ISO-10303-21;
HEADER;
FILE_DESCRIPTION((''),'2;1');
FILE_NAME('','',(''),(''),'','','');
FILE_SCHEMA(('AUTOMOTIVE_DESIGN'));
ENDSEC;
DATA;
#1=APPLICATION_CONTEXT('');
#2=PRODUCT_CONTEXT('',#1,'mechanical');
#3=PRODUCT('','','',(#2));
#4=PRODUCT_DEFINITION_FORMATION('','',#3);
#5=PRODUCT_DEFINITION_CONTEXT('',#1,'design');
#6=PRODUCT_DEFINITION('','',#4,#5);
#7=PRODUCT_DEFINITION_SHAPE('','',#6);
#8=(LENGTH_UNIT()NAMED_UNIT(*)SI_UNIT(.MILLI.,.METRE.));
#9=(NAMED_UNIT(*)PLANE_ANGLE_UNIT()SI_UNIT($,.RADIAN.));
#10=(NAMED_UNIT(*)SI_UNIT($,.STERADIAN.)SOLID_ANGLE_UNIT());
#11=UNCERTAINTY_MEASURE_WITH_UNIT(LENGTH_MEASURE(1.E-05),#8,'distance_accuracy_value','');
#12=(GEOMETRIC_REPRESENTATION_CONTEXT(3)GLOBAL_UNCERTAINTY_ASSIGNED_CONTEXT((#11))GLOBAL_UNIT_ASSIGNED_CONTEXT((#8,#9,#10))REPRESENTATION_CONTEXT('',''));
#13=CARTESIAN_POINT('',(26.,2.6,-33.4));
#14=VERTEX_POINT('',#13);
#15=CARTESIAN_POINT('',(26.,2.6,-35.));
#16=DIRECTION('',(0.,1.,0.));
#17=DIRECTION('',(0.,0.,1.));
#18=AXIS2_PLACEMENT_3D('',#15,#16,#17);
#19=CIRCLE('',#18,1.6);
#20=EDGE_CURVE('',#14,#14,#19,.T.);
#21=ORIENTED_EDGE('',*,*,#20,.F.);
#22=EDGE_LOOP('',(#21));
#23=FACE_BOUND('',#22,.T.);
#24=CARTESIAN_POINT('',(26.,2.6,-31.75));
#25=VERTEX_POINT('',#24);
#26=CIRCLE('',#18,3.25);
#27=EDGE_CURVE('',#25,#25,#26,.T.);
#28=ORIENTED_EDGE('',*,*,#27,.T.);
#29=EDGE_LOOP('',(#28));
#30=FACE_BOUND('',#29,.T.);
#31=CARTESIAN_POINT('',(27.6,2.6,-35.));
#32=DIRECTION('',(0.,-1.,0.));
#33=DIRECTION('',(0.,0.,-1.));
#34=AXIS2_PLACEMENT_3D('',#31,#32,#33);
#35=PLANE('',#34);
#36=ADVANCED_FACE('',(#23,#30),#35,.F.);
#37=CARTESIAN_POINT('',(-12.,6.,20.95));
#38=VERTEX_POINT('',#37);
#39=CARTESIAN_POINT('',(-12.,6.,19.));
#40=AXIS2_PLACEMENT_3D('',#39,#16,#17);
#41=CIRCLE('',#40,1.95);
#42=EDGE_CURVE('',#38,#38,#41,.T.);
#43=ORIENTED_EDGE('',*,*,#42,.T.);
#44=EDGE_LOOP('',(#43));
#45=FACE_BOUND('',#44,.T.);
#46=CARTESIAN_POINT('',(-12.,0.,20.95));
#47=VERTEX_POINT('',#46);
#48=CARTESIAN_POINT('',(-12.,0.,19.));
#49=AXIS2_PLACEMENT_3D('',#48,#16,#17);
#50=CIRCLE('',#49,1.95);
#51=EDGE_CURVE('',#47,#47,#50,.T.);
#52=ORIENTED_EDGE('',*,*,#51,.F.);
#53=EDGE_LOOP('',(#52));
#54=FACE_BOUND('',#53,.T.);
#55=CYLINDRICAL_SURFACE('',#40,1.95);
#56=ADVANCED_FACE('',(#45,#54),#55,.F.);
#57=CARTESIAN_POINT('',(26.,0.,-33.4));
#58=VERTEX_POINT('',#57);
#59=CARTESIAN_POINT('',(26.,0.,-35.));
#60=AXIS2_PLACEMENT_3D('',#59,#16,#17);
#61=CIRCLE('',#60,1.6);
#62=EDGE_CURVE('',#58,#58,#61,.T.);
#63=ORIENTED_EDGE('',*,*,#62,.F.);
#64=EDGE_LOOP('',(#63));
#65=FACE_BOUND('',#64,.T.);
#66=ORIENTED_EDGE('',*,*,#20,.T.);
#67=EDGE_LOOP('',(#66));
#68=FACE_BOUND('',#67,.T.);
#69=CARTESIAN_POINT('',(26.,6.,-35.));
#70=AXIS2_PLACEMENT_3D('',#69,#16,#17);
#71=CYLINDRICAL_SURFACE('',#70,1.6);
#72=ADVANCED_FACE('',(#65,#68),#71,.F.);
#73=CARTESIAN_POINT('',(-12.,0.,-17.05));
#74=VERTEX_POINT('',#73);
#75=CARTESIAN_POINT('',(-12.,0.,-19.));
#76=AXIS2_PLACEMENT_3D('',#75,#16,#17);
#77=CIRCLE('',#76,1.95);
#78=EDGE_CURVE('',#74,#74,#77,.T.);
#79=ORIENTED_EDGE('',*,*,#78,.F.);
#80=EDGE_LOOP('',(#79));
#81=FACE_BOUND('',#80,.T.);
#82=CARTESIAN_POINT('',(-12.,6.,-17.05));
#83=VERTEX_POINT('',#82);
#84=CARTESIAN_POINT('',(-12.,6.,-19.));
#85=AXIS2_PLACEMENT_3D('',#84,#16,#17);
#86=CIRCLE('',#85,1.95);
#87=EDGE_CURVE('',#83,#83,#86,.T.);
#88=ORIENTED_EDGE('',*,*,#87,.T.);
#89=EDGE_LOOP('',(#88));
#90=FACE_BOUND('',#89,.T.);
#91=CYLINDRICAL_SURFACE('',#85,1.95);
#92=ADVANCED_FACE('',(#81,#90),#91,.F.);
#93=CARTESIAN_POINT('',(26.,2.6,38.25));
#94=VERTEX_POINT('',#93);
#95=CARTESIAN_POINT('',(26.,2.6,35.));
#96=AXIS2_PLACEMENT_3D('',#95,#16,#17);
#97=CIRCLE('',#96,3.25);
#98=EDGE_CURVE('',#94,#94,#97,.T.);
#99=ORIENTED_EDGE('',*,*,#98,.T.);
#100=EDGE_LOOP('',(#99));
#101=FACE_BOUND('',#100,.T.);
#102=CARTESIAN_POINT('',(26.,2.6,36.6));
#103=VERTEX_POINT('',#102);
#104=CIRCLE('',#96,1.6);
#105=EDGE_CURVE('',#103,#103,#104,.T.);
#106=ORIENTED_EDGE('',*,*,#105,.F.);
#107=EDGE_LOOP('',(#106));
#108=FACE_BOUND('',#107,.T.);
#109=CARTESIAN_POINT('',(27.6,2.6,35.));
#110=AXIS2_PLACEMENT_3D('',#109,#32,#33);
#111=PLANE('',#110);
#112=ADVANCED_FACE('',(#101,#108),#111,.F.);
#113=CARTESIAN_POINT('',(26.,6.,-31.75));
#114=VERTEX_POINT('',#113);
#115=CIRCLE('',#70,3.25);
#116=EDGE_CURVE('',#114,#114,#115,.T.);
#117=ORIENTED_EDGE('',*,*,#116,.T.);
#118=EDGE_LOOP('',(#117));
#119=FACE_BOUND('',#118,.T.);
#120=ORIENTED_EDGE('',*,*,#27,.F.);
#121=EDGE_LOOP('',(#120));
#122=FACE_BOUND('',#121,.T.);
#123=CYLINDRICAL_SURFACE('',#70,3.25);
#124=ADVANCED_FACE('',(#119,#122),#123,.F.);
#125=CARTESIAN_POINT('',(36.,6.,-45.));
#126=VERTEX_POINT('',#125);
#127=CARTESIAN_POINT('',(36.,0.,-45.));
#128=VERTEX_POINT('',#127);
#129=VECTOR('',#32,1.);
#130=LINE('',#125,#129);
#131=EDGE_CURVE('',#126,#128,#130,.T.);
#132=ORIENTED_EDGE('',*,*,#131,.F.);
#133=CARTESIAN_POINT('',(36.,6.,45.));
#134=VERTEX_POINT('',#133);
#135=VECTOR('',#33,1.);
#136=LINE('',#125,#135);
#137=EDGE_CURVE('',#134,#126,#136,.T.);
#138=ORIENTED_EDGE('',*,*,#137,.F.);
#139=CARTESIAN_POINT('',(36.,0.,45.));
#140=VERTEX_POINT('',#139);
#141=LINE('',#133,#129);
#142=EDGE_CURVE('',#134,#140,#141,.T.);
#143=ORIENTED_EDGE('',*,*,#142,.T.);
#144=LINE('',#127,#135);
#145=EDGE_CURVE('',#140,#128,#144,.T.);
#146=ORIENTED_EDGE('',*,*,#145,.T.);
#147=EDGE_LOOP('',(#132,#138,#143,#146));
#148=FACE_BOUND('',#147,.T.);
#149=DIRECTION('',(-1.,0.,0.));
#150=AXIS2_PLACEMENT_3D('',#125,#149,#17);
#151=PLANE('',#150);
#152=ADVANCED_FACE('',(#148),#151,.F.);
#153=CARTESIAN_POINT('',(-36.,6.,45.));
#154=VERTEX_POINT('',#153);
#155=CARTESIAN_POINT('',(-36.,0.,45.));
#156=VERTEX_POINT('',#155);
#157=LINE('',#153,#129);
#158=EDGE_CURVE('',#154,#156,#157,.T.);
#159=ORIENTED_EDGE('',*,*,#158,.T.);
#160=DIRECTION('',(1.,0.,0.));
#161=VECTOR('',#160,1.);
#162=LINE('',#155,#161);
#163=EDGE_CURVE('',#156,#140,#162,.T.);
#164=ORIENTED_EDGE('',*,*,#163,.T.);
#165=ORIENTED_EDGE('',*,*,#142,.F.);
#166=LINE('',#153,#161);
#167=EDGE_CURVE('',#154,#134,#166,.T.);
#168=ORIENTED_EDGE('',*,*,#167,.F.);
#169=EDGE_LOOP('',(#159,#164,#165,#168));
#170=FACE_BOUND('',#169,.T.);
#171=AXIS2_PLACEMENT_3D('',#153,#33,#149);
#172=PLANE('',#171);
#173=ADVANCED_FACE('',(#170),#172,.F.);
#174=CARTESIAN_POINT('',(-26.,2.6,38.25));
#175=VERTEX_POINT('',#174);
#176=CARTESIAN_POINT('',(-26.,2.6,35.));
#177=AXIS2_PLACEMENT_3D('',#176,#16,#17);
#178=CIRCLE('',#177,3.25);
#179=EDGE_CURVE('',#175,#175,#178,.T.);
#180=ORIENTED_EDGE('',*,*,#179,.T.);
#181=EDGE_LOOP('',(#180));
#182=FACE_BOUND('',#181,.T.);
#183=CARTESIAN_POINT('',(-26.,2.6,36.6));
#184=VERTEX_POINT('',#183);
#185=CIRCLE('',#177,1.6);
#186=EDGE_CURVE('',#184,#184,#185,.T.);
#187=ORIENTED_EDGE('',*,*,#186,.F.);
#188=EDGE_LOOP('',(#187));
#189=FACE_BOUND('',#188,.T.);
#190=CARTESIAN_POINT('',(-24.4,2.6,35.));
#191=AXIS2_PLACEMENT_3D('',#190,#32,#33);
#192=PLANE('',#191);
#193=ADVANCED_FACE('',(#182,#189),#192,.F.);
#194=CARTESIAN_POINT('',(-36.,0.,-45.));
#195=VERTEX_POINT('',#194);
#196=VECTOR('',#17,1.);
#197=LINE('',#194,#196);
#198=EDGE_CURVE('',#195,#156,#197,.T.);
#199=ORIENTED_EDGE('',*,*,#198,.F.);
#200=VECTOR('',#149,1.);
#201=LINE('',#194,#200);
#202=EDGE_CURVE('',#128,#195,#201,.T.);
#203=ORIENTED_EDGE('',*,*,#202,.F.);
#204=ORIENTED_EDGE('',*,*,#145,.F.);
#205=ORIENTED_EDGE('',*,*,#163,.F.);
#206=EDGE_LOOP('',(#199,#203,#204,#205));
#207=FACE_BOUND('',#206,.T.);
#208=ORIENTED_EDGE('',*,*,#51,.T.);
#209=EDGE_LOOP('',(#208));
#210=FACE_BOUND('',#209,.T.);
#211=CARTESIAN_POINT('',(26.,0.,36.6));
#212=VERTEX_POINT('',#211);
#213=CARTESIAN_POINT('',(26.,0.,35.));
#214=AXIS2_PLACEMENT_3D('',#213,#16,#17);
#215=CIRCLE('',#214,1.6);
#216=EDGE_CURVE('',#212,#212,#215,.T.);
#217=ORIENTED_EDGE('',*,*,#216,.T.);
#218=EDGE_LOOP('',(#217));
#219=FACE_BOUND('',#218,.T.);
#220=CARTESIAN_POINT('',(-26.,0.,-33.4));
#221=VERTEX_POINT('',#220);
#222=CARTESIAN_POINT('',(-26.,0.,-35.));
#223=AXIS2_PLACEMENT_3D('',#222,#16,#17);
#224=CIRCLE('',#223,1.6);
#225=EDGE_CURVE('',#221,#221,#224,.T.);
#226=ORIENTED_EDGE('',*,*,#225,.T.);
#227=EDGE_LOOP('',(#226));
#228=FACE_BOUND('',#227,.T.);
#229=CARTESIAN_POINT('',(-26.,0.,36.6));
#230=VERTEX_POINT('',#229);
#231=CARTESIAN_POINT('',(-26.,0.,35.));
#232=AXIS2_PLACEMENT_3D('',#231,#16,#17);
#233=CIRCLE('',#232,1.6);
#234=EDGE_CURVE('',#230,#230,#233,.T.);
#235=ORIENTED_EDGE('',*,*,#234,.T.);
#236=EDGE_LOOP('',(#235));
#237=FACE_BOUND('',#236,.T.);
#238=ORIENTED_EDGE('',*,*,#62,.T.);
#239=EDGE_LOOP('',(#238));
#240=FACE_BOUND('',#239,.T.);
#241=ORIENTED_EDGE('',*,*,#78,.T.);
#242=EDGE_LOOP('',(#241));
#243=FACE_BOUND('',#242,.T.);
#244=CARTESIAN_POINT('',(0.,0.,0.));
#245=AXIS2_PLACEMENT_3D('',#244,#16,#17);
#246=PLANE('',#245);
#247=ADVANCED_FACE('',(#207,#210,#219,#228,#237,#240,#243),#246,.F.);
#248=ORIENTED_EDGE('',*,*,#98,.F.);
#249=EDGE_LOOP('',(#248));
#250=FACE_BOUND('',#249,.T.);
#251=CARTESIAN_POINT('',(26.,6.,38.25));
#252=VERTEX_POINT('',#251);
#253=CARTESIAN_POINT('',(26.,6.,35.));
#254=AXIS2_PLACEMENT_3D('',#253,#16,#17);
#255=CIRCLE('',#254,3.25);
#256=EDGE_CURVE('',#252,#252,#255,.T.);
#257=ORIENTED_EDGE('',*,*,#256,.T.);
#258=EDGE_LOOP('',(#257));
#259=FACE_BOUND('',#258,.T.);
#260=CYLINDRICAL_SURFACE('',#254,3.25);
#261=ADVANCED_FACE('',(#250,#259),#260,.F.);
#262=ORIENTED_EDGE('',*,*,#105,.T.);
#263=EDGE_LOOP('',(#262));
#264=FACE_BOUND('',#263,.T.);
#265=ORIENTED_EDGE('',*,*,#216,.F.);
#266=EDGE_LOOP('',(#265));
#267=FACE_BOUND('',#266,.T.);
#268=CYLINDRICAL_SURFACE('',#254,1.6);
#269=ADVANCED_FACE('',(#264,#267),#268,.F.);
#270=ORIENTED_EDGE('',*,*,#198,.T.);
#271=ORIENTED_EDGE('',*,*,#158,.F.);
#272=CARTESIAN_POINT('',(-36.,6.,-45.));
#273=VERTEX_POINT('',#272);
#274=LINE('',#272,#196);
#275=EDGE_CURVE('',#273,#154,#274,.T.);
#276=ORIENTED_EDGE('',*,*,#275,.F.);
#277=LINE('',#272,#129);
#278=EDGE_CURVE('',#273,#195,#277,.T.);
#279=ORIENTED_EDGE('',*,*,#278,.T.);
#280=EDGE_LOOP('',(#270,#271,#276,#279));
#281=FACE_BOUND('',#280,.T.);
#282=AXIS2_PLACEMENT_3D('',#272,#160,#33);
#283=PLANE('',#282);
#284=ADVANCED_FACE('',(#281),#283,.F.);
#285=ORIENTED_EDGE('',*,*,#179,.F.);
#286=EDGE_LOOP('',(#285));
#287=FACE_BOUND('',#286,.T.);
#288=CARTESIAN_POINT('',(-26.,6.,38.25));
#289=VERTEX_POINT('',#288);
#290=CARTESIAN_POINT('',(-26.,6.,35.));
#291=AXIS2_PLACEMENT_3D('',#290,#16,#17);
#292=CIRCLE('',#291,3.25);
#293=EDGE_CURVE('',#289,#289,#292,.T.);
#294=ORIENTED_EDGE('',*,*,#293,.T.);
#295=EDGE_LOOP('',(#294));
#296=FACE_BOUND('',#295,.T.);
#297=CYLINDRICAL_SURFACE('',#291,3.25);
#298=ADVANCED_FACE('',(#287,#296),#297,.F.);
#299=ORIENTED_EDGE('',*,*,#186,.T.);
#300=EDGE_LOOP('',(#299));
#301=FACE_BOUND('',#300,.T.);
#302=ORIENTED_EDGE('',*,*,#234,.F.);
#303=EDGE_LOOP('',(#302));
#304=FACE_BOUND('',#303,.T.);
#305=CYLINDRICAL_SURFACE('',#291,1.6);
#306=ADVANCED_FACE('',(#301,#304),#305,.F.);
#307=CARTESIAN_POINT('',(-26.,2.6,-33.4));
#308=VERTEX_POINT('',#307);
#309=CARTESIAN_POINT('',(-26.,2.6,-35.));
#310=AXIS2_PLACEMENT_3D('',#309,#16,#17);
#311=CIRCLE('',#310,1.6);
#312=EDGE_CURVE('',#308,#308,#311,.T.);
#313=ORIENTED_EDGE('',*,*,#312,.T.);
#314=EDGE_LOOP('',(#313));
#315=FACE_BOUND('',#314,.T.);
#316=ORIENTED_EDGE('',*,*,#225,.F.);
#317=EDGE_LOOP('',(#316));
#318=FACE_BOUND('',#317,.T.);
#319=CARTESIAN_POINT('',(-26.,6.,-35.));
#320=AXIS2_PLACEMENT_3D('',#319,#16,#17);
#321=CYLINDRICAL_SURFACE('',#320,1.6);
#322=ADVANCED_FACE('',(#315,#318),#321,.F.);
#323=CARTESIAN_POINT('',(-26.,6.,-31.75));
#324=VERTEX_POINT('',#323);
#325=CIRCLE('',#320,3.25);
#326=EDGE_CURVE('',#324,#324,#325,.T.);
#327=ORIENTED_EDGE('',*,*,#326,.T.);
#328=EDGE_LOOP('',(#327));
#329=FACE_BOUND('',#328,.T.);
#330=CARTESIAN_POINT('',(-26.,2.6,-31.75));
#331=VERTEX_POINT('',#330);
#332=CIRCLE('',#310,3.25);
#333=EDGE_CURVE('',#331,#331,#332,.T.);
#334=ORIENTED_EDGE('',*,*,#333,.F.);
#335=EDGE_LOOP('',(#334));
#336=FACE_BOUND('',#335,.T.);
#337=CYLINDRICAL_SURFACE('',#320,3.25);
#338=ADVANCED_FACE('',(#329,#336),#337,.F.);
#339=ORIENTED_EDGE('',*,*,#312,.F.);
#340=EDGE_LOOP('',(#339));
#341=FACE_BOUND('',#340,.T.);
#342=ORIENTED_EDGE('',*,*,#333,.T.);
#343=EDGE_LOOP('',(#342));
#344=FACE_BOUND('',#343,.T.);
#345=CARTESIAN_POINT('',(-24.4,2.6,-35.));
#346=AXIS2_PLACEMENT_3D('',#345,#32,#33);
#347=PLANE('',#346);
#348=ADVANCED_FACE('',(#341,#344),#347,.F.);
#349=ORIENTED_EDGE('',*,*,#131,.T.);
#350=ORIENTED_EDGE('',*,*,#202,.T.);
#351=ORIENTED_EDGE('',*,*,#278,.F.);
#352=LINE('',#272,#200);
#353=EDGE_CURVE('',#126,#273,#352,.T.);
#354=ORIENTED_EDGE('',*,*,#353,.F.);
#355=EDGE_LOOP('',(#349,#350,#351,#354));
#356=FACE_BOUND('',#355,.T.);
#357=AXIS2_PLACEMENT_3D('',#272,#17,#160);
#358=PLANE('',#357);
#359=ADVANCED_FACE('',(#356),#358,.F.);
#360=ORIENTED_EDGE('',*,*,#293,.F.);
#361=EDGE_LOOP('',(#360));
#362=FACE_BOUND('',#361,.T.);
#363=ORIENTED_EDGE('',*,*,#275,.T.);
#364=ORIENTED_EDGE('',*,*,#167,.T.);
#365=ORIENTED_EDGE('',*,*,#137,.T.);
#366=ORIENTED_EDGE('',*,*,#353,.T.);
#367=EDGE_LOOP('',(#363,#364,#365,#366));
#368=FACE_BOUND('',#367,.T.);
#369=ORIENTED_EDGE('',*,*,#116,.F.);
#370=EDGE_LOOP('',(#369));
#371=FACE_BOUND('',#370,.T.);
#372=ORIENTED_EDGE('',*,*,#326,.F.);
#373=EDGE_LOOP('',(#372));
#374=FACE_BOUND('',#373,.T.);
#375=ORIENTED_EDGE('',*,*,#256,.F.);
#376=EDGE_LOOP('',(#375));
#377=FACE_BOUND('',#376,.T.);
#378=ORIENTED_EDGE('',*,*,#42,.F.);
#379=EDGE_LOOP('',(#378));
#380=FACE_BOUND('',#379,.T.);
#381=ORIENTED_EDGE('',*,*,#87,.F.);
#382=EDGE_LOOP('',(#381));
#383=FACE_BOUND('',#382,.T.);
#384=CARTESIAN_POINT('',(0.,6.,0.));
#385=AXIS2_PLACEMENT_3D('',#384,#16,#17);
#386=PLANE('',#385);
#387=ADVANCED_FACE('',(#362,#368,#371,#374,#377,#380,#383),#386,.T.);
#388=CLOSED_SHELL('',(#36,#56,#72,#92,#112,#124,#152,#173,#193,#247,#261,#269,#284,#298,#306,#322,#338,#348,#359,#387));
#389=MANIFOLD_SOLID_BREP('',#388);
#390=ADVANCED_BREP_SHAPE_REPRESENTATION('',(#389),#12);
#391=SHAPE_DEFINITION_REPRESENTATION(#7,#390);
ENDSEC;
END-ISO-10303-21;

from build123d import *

# Parameters (mm, degrees)
SZKIC1_W                                            = 72
SZKIC1_H                                            = 90
DODANIE_WYCI_GNI_CIE1_DEPTH                         = 6
CBORE_FOR_M3_HEX_SOCKET_HEAD_CAP_SCREW1_D           = 3.2
CBORE_FOR_M3_HEX_SOCKET_HEAD_CAP_SCREW1_DEPTH       = 7.7
CBORE_FOR_M3_HEX_SOCKET_HEAD_CAP_SCREW1_CBORE_D     = 6.5
CBORE_FOR_M3_HEX_SOCKET_HEAD_CAP_SCREW1_CBORE_DEPTH = 3.4
CBORE_FOR_M3_HEX_SOCKET_HEAD_CAP_SCREW1_TIP         = 0.96137699
F_1_0MM_DOWEL_HOLE1_D                               = 3.9


with BuildPart() as part:
    # Szkic1 → Dodanie-wyciągnięcie1 (new body)
    with BuildSketch(Plane(origin=(0, 0, 0), x_dir=(1, 0, 0), z_dir=(0, 1, 0))):
        Rectangle(SZKIC1_W, SZKIC1_H)
    extrude(amount=DODANIE_WYCI_GNI_CIE1_DEPTH)

    # CBORE for M3 Hex Socket Head Cap Screw1
    with Locations(Plane(origin=(0, 6, 0), x_dir=(1, 0, 0), z_dir=(0, 1, 0))):
        with Locations((-26, 35), (26, 35), (26, -35), (-26, -35)):
            CounterBoreHole(CBORE_FOR_M3_HEX_SOCKET_HEAD_CAP_SCREW1_D / 2, CBORE_FOR_M3_HEX_SOCKET_HEAD_CAP_SCREW1_CBORE_D / 2, CBORE_FOR_M3_HEX_SOCKET_HEAD_CAP_SCREW1_CBORE_DEPTH, depth=CBORE_FOR_M3_HEX_SOCKET_HEAD_CAP_SCREW1_DEPTH)
            with Locations((0, 0, -(CBORE_FOR_M3_HEX_SOCKET_HEAD_CAP_SCREW1_DEPTH + CBORE_FOR_M3_HEX_SOCKET_HEAD_CAP_SCREW1_TIP / 2))):  # 118° drill point
                Cone(0, CBORE_FOR_M3_HEX_SOCKET_HEAD_CAP_SCREW1_D / 2, CBORE_FOR_M3_HEX_SOCKET_HEAD_CAP_SCREW1_TIP, mode=Mode.SUBTRACT)

    # Ø1.0mm Dowel Hole1 (through all)
    with Locations(Plane(origin=(0, 6, 0), x_dir=(1, 0, 0), z_dir=(0, 1, 0))):
        with Locations((-12, -19), (-12, 19)):
            Hole(F_1_0MM_DOWEL_HOLE1_D / 2)


solid = part.part
